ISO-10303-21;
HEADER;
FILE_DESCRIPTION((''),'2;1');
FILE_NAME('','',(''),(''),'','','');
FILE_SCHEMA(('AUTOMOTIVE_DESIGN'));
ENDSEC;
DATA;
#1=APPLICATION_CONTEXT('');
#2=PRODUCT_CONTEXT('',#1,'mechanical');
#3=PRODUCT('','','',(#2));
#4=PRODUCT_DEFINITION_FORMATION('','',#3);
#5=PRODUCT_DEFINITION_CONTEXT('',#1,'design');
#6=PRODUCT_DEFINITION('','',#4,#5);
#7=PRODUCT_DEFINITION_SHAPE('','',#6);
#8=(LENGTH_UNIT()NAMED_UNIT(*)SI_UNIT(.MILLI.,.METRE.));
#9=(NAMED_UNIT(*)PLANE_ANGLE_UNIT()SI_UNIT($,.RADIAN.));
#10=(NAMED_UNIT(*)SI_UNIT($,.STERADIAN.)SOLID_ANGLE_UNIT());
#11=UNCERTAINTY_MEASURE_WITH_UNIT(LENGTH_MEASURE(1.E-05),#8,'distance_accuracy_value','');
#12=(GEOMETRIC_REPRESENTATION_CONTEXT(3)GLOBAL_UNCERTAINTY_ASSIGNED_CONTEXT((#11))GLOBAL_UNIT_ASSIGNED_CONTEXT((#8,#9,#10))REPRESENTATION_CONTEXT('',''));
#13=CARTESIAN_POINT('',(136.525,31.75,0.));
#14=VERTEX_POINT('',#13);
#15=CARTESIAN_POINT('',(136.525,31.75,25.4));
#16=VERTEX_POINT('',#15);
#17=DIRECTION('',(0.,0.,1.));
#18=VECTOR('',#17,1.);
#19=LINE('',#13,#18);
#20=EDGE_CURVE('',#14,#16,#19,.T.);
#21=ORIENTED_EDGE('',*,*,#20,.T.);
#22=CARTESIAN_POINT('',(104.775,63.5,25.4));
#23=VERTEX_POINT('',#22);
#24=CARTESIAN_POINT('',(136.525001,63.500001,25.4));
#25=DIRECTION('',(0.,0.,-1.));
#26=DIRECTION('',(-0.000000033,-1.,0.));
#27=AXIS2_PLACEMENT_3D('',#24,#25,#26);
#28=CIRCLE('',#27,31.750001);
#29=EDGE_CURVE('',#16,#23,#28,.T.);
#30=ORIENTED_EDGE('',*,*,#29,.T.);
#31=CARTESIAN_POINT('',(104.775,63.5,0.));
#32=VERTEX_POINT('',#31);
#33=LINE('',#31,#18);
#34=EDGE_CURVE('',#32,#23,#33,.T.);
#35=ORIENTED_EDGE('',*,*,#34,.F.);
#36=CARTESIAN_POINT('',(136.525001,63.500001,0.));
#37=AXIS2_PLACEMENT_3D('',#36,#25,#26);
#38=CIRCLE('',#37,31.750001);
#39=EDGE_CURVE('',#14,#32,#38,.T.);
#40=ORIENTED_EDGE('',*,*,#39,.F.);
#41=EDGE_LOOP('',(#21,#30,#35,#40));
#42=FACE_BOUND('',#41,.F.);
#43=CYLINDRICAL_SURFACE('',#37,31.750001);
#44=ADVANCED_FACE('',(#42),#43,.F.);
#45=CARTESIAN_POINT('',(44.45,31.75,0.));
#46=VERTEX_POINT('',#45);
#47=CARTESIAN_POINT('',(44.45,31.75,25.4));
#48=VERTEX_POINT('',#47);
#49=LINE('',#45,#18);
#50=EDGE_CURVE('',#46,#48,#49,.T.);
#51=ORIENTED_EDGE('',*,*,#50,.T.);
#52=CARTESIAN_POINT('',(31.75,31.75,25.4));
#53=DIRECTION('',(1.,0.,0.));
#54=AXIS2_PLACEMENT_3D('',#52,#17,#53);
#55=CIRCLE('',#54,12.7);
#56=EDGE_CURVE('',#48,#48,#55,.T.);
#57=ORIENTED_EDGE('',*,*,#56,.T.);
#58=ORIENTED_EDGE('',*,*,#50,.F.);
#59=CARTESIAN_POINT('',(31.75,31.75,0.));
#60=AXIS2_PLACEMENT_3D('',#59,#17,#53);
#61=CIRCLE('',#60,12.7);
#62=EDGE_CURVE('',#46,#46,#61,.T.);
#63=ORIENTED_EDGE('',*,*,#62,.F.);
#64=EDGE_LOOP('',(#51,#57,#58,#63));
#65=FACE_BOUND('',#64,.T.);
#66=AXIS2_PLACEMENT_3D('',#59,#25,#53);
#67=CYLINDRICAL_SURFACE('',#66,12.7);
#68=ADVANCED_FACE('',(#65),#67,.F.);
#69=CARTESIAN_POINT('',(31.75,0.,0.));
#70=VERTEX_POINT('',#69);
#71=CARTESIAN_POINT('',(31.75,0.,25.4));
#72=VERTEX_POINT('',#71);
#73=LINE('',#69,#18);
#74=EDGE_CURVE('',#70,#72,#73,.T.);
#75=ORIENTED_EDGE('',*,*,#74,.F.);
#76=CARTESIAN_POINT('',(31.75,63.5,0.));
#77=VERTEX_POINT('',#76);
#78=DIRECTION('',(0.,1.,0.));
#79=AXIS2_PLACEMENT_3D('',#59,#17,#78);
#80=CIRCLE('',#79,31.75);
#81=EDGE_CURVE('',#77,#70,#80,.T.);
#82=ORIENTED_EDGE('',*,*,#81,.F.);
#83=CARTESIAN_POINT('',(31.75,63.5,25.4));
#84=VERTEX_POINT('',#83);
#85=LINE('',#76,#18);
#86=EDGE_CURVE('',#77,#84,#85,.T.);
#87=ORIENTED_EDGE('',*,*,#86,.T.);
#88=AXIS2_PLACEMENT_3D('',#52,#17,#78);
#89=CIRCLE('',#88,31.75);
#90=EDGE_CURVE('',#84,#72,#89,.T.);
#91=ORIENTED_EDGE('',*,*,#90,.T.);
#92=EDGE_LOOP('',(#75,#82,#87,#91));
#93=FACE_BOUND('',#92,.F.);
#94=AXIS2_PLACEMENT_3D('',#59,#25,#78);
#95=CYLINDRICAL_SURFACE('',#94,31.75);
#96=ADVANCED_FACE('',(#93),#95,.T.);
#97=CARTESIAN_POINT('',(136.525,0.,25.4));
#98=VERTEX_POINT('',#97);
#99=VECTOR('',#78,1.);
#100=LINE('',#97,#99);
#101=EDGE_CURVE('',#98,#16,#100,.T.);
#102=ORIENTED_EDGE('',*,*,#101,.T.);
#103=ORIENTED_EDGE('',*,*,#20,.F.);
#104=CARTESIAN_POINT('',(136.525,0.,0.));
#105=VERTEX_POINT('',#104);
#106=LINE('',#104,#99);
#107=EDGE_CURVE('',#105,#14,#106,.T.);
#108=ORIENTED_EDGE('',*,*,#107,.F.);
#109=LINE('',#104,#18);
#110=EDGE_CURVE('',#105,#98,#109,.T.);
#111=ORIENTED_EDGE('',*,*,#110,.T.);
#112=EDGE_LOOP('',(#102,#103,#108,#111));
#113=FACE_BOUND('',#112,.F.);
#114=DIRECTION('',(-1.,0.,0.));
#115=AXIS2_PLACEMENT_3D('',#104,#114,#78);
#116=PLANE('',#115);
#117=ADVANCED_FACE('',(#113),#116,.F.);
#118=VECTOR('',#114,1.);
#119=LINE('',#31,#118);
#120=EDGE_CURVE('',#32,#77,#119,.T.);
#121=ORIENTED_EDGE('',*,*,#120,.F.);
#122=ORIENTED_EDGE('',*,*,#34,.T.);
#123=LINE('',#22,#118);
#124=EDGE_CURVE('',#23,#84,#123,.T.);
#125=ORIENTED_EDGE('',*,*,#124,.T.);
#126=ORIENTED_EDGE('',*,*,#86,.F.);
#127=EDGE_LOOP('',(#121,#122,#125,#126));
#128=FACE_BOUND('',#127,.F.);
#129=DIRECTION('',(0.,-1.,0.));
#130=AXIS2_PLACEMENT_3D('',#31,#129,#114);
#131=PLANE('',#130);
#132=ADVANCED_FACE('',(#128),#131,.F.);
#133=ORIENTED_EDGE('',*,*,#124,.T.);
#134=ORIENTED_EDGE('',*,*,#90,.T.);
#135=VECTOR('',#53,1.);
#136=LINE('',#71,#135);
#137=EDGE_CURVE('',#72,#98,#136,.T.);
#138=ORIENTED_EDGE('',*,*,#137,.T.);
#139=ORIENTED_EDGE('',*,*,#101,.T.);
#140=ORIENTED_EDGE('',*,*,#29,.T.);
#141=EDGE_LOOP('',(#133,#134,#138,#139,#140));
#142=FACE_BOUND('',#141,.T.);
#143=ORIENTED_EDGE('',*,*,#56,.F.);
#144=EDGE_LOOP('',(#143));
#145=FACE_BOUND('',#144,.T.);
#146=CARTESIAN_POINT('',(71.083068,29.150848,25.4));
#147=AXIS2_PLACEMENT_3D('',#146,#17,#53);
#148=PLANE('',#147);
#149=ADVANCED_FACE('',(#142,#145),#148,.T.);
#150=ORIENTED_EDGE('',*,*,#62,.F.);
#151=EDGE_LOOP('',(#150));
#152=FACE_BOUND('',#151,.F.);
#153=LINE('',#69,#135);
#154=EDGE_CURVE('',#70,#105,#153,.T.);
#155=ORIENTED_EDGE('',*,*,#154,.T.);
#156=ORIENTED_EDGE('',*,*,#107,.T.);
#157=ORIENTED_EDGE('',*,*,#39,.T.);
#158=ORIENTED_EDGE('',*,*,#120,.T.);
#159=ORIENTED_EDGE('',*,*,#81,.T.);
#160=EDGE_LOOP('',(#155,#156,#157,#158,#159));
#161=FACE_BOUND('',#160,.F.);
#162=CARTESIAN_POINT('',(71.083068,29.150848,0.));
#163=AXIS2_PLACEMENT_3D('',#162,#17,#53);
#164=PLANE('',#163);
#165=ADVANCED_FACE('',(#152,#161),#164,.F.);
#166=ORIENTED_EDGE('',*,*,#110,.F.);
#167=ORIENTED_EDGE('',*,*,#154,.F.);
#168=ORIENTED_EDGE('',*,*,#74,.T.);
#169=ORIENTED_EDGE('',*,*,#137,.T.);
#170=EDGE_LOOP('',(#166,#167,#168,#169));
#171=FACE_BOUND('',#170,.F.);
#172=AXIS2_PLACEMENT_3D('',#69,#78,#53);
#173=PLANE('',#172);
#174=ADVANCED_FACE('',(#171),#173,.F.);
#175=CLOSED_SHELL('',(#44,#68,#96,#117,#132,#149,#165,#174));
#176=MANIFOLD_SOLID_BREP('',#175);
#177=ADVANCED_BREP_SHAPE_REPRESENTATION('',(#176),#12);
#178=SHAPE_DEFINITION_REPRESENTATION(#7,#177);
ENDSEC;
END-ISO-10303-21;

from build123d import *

# Parameters (mm, degrees)
F0_R     = 12.7
F1_DEPTH = 25.4


with BuildPart() as f1:
    # F0 (on Top) → F1 (new body)
    with BuildSketch(Plane.XY):
        with BuildLine():
            ThreePointArc((31.75, 63.5), (0, 31.75), (31.75, 0))
            Line((31.75, 0), (136.525, 0))
            Line((136.525, 0), (136.525, 31.75))
            ThreePointArc((136.525, 31.75), (114.07436, 41.04936), (104.775, 63.5))
            Line((104.775, 63.5), (31.75, 63.5))
        make_face()
        with Locations((31.75, 31.75)):
            Circle(F0_R, mode=Mode.SUBTRACT)
    extrude(amount=F1_DEPTH)


solid = f1.part
